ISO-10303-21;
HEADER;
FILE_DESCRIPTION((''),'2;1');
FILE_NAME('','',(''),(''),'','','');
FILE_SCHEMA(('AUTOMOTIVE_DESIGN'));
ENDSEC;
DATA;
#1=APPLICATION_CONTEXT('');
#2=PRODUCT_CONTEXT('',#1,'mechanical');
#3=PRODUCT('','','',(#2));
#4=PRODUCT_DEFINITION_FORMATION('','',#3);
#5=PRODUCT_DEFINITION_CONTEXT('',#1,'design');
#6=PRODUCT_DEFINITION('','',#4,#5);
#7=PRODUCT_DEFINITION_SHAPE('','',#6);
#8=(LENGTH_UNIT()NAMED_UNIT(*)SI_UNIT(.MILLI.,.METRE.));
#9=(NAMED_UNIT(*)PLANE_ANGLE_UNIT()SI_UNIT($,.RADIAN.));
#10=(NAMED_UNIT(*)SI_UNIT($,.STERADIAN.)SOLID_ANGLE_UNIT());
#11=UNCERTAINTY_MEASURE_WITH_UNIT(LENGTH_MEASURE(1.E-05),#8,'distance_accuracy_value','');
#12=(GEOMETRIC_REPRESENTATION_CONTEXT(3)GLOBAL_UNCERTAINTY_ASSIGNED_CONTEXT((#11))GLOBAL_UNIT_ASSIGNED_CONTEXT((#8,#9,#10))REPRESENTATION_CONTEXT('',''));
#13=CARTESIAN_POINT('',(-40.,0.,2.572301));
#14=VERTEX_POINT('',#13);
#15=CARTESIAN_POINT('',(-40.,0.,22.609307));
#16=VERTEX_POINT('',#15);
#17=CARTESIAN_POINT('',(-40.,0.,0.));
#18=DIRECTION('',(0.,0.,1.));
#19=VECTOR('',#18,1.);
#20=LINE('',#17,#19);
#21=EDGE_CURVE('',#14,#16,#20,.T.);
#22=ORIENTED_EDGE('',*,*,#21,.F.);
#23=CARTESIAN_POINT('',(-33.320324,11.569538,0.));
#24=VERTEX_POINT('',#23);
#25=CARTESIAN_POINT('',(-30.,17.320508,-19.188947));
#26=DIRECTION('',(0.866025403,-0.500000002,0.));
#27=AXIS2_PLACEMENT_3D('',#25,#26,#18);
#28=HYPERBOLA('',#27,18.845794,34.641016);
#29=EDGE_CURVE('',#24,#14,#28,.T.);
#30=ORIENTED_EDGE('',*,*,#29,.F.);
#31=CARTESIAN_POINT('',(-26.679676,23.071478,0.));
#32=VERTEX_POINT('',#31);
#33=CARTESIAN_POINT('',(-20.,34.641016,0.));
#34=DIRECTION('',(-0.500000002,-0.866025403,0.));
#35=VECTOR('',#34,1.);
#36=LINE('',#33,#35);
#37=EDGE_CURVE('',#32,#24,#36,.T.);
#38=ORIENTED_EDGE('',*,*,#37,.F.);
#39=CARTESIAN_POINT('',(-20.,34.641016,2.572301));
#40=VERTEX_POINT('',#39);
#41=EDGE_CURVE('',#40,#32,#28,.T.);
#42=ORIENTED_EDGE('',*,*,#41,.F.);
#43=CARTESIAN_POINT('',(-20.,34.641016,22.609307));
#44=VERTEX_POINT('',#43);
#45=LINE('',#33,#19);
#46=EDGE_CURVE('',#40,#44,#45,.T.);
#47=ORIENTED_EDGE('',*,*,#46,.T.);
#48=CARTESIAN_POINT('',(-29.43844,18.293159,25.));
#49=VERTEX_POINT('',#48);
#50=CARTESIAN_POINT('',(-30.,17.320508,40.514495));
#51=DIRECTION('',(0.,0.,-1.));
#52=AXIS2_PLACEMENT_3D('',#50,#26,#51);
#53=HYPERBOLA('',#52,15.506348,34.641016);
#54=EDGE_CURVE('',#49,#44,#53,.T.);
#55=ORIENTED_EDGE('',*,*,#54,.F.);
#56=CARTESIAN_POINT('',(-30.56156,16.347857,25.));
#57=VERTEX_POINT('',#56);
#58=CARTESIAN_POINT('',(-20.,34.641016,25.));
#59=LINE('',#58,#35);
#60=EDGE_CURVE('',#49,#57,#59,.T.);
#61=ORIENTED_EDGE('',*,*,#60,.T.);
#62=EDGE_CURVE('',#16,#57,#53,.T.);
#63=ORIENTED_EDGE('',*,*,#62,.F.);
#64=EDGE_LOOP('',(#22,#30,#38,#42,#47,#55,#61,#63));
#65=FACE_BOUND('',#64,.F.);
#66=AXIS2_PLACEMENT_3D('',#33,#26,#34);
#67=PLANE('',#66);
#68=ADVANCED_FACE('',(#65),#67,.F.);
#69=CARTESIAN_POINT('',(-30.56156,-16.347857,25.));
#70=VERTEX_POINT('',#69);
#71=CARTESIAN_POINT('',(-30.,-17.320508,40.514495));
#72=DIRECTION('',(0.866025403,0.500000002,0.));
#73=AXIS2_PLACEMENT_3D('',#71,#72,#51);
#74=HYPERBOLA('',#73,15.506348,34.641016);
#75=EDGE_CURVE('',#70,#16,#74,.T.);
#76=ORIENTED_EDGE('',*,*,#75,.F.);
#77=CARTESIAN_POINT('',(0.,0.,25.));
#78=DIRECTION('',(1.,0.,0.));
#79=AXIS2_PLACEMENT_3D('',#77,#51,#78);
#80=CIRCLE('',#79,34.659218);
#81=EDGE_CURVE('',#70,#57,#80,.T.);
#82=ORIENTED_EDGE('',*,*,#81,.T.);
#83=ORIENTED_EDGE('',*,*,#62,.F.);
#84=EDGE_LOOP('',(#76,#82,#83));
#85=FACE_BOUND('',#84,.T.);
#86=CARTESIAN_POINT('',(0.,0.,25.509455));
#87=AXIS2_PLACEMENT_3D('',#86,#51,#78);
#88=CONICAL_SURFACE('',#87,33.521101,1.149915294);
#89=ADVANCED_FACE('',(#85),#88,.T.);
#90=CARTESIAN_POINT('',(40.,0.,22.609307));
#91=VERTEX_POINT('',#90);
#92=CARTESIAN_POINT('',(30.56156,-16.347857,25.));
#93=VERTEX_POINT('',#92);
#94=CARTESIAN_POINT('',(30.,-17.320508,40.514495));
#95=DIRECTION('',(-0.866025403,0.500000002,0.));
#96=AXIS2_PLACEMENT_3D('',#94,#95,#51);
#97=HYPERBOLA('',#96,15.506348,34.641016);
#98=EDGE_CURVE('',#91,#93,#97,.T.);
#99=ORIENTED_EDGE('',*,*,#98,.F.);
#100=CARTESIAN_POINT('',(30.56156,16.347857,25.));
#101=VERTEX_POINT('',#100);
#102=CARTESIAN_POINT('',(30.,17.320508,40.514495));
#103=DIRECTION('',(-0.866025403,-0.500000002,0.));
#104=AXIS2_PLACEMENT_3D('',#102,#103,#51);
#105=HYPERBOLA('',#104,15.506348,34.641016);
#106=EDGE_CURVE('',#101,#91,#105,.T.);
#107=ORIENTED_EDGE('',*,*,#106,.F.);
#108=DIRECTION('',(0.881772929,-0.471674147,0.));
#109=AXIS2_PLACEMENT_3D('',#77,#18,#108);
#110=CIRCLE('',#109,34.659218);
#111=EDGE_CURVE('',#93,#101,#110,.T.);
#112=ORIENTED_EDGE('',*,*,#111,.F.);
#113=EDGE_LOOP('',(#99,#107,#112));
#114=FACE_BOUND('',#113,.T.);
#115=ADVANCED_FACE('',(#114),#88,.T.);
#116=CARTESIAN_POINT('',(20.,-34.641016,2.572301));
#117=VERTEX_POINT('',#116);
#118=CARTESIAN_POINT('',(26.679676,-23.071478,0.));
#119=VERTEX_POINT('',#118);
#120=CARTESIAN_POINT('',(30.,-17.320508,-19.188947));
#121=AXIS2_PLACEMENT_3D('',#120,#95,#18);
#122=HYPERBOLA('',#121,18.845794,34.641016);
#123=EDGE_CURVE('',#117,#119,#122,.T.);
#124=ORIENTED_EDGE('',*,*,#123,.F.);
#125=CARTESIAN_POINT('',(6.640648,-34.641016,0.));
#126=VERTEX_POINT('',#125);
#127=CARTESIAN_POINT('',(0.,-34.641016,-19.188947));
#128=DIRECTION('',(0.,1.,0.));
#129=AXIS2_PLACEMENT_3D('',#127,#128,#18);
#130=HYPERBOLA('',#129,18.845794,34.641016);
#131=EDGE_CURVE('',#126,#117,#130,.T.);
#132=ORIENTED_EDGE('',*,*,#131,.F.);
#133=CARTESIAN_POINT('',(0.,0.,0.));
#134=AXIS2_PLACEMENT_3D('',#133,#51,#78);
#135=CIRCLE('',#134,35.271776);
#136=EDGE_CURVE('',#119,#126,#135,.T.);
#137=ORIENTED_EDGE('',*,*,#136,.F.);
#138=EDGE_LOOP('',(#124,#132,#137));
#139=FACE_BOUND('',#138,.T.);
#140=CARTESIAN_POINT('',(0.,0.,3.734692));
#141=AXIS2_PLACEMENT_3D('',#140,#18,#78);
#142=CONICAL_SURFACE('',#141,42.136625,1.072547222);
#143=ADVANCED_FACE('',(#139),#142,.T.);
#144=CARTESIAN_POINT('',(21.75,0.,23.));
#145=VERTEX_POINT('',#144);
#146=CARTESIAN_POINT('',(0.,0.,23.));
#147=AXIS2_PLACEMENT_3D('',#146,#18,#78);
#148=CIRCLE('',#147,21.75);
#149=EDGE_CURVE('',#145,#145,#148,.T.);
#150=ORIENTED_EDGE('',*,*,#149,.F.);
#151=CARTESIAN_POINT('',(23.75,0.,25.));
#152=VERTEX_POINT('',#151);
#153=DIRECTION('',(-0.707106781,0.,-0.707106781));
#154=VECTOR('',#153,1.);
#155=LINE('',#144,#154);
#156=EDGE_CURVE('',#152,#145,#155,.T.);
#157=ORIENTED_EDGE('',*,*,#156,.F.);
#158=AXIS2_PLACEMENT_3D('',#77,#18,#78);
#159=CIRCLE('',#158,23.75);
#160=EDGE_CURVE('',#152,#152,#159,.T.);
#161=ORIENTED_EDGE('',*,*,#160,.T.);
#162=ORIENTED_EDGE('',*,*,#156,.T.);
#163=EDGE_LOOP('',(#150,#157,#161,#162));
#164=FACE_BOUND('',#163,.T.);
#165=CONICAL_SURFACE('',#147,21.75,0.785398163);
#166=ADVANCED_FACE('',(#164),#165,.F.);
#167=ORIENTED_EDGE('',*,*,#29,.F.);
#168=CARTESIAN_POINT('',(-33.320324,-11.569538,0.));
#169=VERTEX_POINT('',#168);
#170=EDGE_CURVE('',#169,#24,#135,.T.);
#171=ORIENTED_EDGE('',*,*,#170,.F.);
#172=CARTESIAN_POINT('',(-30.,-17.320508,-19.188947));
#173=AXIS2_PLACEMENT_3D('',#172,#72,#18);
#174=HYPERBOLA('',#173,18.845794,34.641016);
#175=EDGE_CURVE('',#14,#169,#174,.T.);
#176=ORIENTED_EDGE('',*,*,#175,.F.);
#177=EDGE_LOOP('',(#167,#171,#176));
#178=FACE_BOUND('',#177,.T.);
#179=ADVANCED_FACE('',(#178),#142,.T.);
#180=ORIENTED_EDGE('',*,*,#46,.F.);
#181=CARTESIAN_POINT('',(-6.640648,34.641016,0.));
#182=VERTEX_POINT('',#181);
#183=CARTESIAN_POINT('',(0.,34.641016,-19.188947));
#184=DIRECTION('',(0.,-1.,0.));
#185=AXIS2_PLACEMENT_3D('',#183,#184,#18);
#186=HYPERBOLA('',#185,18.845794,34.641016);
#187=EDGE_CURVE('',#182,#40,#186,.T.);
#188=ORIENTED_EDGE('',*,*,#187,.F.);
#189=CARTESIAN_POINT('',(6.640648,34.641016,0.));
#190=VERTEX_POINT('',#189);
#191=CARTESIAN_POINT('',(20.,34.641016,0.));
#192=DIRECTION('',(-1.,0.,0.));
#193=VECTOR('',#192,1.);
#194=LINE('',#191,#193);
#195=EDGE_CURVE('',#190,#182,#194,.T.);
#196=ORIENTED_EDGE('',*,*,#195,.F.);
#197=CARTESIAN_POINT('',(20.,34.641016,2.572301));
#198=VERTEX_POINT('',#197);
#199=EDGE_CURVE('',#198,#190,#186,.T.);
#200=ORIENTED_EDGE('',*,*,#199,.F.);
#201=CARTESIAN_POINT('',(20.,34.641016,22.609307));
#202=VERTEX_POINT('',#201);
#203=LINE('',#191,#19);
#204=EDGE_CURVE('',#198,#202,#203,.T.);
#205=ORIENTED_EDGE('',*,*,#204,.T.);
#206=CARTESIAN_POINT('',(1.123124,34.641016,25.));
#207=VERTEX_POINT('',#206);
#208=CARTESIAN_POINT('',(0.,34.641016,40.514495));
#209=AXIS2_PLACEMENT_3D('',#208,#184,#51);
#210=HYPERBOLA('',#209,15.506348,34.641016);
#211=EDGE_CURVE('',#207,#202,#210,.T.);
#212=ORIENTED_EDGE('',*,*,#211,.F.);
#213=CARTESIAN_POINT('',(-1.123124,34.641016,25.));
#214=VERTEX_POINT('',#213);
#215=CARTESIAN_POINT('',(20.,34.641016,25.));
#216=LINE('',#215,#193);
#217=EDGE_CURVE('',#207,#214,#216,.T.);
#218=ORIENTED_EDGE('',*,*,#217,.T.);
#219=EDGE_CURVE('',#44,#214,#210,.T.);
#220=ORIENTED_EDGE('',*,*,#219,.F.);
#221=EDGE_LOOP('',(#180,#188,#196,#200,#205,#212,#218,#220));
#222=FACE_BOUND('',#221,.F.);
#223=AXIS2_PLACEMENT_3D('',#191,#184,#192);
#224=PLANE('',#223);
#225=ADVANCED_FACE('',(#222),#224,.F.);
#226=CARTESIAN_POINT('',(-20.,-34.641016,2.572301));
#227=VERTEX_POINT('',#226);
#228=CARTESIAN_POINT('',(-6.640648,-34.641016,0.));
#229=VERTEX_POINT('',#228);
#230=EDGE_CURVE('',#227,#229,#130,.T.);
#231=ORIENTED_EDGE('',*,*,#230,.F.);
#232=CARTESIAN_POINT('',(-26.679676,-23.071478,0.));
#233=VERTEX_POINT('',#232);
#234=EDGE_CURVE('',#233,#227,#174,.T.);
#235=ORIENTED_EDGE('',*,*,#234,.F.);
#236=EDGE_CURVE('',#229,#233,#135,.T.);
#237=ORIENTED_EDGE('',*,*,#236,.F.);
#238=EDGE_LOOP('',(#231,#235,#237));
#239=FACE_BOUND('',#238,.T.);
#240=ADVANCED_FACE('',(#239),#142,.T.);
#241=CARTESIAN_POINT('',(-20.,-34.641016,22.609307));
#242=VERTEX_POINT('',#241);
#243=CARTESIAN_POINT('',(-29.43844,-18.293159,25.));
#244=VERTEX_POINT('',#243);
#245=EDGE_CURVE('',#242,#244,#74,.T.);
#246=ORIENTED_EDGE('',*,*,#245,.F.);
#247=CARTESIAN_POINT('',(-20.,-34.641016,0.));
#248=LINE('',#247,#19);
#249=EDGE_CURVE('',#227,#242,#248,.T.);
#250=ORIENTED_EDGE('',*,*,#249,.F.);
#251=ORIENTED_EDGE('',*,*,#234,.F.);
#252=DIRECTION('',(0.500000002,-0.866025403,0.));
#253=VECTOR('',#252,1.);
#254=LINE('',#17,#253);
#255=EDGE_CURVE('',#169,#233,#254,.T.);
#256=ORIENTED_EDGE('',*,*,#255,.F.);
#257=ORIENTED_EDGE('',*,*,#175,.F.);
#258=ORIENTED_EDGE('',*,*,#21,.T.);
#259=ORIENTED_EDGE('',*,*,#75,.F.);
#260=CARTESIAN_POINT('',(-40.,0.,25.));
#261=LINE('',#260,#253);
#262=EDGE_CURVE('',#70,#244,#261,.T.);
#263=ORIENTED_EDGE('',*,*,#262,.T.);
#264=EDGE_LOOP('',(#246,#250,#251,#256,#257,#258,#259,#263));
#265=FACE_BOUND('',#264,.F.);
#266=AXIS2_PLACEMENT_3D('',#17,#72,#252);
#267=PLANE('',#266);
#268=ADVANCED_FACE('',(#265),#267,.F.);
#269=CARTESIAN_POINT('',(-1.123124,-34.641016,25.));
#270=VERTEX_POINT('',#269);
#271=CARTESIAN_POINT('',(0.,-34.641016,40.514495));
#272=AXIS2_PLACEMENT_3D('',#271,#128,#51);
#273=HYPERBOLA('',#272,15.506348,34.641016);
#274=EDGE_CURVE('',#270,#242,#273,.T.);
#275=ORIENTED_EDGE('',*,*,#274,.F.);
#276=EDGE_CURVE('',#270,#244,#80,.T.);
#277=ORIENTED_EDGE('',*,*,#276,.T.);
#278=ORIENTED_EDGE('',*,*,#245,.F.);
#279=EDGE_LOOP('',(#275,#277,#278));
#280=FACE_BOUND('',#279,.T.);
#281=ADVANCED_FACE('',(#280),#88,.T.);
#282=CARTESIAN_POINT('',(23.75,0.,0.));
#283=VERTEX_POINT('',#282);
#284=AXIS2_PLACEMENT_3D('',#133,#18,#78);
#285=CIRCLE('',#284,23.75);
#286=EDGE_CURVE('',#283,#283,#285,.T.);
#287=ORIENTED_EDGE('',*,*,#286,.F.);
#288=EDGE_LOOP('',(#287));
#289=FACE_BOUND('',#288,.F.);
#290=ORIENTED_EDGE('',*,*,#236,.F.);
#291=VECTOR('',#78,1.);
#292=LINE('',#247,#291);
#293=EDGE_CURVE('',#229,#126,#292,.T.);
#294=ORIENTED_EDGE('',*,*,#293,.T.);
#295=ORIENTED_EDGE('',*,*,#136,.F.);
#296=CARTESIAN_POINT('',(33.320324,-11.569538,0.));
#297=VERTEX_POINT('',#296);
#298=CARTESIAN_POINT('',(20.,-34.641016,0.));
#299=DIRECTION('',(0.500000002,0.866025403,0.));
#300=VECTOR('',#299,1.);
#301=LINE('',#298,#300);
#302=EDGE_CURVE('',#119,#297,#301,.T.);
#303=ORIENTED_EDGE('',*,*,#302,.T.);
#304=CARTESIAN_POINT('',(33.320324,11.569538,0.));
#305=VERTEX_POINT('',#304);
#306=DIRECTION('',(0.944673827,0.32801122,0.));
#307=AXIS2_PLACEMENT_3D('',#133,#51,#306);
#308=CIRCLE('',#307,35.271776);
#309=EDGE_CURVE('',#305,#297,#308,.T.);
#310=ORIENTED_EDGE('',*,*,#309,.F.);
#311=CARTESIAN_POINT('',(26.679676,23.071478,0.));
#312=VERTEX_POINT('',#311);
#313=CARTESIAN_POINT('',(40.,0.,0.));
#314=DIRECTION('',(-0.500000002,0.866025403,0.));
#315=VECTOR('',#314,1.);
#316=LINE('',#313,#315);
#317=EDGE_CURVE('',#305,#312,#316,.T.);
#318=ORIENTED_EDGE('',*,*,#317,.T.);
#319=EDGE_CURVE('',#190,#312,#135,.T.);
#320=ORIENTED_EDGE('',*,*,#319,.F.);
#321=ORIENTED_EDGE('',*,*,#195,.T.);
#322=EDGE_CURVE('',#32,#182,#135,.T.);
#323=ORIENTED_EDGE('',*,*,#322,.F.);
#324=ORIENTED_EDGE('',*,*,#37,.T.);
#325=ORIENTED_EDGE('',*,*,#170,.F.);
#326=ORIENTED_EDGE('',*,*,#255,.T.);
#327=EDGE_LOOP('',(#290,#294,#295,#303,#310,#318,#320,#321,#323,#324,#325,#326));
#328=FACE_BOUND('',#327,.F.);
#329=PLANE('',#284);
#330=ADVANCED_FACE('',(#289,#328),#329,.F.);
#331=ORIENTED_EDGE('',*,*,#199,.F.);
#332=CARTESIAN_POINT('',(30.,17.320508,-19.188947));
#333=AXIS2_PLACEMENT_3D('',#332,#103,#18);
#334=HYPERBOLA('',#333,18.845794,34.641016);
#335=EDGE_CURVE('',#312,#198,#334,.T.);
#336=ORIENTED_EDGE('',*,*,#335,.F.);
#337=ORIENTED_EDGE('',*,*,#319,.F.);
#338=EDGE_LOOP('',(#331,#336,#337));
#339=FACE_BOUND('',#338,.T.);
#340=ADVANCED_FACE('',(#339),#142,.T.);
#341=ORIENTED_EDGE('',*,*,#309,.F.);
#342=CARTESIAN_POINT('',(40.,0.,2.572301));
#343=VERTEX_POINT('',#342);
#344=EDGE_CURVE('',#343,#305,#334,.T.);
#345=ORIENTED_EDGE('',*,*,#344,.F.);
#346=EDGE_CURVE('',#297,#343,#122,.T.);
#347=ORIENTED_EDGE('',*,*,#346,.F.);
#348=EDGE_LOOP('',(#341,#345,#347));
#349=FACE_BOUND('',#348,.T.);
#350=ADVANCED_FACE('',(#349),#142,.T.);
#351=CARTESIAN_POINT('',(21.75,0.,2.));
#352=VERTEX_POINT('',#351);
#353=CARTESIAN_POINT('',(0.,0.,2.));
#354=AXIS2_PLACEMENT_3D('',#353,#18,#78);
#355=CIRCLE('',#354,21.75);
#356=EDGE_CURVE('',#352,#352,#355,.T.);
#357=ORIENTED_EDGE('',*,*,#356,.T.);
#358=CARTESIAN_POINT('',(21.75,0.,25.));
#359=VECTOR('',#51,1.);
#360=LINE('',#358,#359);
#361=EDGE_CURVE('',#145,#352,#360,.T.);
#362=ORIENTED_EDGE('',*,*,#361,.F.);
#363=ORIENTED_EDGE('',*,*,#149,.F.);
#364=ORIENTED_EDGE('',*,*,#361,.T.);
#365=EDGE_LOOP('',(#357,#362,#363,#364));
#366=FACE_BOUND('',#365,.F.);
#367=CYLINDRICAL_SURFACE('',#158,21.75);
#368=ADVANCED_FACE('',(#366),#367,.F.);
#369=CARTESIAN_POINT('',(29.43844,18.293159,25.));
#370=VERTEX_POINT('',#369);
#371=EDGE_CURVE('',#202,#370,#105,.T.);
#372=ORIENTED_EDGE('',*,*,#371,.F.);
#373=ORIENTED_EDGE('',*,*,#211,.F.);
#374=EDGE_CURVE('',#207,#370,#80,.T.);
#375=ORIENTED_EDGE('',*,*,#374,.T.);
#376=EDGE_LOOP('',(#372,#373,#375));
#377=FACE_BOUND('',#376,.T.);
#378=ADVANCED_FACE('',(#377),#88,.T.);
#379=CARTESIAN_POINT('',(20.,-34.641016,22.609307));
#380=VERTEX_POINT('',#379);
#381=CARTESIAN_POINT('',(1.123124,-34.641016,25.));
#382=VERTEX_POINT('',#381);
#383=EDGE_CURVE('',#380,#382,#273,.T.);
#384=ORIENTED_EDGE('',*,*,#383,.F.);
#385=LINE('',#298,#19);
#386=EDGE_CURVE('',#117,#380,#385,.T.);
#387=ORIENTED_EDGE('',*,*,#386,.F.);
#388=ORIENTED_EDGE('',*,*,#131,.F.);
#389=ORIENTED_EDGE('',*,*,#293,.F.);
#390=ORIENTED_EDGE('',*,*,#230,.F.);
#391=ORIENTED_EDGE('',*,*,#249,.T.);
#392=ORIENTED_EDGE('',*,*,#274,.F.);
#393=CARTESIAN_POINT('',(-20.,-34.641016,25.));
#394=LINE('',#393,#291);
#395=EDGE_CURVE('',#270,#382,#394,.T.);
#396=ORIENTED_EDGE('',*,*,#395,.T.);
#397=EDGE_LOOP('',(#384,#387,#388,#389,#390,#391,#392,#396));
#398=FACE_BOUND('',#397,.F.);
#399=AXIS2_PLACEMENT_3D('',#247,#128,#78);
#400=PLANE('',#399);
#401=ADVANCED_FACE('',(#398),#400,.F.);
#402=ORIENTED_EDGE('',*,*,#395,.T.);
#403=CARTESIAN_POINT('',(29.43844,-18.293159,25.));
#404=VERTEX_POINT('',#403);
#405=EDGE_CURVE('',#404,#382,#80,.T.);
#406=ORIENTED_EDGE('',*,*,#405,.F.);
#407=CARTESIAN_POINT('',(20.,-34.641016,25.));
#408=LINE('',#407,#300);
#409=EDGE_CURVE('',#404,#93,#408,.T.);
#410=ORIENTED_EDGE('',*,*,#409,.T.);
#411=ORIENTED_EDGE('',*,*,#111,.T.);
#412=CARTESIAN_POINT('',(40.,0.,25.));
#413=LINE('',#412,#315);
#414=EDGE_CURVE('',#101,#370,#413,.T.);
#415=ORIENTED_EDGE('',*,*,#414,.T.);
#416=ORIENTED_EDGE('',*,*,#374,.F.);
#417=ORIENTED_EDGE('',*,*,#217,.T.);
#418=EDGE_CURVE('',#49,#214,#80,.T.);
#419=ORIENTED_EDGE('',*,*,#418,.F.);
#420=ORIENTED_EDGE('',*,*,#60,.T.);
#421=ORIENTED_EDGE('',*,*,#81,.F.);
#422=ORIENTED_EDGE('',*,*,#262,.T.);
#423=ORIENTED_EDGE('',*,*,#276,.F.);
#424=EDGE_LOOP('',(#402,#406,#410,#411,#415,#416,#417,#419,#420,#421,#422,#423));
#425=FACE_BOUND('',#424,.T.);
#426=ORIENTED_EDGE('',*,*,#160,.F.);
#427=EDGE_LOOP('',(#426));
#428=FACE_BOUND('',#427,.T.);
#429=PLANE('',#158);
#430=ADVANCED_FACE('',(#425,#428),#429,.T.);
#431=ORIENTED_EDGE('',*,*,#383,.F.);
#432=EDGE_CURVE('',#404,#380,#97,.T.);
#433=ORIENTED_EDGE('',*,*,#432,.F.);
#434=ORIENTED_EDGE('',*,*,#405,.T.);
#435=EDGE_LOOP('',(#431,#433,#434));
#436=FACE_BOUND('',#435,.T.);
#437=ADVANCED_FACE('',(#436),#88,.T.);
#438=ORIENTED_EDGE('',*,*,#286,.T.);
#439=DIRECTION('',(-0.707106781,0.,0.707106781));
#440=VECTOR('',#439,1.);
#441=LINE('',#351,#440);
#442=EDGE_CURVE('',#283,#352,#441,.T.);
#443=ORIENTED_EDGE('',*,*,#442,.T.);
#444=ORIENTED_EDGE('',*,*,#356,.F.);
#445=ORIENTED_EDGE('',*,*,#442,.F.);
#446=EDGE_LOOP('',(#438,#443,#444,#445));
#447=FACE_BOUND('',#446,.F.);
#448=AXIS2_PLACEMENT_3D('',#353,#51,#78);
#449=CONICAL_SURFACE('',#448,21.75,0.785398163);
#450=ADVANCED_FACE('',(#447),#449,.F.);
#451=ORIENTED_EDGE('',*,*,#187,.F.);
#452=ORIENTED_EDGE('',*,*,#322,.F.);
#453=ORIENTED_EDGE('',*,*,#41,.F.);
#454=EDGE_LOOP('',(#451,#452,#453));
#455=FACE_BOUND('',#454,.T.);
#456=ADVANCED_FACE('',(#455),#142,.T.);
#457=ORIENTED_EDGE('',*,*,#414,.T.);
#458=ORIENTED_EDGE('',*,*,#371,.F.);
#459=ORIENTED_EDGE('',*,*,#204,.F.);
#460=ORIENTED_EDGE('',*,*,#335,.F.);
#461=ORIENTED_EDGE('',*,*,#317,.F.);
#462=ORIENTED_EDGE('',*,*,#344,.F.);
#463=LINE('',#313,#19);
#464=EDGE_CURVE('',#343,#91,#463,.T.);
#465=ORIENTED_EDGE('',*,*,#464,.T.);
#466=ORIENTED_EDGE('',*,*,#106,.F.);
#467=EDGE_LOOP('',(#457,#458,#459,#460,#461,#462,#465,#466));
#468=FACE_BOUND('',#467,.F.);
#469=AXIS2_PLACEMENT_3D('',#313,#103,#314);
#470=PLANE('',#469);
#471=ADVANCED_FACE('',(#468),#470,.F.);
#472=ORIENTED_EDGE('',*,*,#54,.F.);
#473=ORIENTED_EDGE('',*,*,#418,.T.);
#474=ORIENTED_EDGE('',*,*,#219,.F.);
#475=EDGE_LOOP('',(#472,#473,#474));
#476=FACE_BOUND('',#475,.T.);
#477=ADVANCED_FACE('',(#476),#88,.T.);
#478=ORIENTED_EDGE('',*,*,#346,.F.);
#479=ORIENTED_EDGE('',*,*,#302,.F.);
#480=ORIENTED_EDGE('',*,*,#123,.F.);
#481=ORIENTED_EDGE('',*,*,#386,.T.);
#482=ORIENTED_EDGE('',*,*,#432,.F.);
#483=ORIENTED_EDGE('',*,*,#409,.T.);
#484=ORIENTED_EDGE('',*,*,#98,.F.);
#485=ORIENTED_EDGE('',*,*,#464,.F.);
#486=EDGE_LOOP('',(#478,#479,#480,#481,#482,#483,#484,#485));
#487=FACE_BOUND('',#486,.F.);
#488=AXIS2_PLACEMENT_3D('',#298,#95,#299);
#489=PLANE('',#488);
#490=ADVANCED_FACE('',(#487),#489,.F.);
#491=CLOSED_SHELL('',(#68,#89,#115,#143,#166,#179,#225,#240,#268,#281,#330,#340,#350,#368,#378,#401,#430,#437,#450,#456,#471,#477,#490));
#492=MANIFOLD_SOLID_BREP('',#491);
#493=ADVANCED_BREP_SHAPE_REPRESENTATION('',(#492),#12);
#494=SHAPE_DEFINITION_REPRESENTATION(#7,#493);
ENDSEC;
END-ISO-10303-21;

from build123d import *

# Parameters (mm, degrees)
F1_DEPTH = 25
F2_R     = 21.75
F3_DEPTH = 25.001
F4_SIZE  = 2


with BuildPart() as f1:
    # F0 (on Top) → F1 (new body)
    with BuildSketch(Plane.XY):
        Polygon((20, 34.641016), (-20, 34.641016), (-40, 0), (-20, -34.641016), (20, -34.641016), (40, 0), align=None)
    extrude(amount=F1_DEPTH)

    # F2 (on face) → F3 (cut, through all)
    with BuildSketch(Plane.XY.offset(25)):
        Circle(F2_R)
    extrude(amount=-F3_DEPTH, mode=Mode.SUBTRACT)

    # F4
    f4_edges = [f1.edges().sort_by_distance(p)[0] for p in [
        (-21.75, 0, 0),
        (-21.75, 0, 25),
    ]]
    chamfer(f4_edges, length=F4_SIZE)

    # F5 (on Front) → F6 (revolve, cut)
    with BuildSketch(Plane.XZ):
        Polygon((42.406738, 25.509455), (33.521101, 25.509455), (42.406738, 21.53198), align=None)
        Polygon((42.136625, 3.734692), (33.521101, -0.952422), (42.136625, -0.952422), align=None)
    revolve(axis=Axis((0, 0, 7.913062), (0, 0, -1)), mode=Mode.SUBTRACT)


solid = f1.part
